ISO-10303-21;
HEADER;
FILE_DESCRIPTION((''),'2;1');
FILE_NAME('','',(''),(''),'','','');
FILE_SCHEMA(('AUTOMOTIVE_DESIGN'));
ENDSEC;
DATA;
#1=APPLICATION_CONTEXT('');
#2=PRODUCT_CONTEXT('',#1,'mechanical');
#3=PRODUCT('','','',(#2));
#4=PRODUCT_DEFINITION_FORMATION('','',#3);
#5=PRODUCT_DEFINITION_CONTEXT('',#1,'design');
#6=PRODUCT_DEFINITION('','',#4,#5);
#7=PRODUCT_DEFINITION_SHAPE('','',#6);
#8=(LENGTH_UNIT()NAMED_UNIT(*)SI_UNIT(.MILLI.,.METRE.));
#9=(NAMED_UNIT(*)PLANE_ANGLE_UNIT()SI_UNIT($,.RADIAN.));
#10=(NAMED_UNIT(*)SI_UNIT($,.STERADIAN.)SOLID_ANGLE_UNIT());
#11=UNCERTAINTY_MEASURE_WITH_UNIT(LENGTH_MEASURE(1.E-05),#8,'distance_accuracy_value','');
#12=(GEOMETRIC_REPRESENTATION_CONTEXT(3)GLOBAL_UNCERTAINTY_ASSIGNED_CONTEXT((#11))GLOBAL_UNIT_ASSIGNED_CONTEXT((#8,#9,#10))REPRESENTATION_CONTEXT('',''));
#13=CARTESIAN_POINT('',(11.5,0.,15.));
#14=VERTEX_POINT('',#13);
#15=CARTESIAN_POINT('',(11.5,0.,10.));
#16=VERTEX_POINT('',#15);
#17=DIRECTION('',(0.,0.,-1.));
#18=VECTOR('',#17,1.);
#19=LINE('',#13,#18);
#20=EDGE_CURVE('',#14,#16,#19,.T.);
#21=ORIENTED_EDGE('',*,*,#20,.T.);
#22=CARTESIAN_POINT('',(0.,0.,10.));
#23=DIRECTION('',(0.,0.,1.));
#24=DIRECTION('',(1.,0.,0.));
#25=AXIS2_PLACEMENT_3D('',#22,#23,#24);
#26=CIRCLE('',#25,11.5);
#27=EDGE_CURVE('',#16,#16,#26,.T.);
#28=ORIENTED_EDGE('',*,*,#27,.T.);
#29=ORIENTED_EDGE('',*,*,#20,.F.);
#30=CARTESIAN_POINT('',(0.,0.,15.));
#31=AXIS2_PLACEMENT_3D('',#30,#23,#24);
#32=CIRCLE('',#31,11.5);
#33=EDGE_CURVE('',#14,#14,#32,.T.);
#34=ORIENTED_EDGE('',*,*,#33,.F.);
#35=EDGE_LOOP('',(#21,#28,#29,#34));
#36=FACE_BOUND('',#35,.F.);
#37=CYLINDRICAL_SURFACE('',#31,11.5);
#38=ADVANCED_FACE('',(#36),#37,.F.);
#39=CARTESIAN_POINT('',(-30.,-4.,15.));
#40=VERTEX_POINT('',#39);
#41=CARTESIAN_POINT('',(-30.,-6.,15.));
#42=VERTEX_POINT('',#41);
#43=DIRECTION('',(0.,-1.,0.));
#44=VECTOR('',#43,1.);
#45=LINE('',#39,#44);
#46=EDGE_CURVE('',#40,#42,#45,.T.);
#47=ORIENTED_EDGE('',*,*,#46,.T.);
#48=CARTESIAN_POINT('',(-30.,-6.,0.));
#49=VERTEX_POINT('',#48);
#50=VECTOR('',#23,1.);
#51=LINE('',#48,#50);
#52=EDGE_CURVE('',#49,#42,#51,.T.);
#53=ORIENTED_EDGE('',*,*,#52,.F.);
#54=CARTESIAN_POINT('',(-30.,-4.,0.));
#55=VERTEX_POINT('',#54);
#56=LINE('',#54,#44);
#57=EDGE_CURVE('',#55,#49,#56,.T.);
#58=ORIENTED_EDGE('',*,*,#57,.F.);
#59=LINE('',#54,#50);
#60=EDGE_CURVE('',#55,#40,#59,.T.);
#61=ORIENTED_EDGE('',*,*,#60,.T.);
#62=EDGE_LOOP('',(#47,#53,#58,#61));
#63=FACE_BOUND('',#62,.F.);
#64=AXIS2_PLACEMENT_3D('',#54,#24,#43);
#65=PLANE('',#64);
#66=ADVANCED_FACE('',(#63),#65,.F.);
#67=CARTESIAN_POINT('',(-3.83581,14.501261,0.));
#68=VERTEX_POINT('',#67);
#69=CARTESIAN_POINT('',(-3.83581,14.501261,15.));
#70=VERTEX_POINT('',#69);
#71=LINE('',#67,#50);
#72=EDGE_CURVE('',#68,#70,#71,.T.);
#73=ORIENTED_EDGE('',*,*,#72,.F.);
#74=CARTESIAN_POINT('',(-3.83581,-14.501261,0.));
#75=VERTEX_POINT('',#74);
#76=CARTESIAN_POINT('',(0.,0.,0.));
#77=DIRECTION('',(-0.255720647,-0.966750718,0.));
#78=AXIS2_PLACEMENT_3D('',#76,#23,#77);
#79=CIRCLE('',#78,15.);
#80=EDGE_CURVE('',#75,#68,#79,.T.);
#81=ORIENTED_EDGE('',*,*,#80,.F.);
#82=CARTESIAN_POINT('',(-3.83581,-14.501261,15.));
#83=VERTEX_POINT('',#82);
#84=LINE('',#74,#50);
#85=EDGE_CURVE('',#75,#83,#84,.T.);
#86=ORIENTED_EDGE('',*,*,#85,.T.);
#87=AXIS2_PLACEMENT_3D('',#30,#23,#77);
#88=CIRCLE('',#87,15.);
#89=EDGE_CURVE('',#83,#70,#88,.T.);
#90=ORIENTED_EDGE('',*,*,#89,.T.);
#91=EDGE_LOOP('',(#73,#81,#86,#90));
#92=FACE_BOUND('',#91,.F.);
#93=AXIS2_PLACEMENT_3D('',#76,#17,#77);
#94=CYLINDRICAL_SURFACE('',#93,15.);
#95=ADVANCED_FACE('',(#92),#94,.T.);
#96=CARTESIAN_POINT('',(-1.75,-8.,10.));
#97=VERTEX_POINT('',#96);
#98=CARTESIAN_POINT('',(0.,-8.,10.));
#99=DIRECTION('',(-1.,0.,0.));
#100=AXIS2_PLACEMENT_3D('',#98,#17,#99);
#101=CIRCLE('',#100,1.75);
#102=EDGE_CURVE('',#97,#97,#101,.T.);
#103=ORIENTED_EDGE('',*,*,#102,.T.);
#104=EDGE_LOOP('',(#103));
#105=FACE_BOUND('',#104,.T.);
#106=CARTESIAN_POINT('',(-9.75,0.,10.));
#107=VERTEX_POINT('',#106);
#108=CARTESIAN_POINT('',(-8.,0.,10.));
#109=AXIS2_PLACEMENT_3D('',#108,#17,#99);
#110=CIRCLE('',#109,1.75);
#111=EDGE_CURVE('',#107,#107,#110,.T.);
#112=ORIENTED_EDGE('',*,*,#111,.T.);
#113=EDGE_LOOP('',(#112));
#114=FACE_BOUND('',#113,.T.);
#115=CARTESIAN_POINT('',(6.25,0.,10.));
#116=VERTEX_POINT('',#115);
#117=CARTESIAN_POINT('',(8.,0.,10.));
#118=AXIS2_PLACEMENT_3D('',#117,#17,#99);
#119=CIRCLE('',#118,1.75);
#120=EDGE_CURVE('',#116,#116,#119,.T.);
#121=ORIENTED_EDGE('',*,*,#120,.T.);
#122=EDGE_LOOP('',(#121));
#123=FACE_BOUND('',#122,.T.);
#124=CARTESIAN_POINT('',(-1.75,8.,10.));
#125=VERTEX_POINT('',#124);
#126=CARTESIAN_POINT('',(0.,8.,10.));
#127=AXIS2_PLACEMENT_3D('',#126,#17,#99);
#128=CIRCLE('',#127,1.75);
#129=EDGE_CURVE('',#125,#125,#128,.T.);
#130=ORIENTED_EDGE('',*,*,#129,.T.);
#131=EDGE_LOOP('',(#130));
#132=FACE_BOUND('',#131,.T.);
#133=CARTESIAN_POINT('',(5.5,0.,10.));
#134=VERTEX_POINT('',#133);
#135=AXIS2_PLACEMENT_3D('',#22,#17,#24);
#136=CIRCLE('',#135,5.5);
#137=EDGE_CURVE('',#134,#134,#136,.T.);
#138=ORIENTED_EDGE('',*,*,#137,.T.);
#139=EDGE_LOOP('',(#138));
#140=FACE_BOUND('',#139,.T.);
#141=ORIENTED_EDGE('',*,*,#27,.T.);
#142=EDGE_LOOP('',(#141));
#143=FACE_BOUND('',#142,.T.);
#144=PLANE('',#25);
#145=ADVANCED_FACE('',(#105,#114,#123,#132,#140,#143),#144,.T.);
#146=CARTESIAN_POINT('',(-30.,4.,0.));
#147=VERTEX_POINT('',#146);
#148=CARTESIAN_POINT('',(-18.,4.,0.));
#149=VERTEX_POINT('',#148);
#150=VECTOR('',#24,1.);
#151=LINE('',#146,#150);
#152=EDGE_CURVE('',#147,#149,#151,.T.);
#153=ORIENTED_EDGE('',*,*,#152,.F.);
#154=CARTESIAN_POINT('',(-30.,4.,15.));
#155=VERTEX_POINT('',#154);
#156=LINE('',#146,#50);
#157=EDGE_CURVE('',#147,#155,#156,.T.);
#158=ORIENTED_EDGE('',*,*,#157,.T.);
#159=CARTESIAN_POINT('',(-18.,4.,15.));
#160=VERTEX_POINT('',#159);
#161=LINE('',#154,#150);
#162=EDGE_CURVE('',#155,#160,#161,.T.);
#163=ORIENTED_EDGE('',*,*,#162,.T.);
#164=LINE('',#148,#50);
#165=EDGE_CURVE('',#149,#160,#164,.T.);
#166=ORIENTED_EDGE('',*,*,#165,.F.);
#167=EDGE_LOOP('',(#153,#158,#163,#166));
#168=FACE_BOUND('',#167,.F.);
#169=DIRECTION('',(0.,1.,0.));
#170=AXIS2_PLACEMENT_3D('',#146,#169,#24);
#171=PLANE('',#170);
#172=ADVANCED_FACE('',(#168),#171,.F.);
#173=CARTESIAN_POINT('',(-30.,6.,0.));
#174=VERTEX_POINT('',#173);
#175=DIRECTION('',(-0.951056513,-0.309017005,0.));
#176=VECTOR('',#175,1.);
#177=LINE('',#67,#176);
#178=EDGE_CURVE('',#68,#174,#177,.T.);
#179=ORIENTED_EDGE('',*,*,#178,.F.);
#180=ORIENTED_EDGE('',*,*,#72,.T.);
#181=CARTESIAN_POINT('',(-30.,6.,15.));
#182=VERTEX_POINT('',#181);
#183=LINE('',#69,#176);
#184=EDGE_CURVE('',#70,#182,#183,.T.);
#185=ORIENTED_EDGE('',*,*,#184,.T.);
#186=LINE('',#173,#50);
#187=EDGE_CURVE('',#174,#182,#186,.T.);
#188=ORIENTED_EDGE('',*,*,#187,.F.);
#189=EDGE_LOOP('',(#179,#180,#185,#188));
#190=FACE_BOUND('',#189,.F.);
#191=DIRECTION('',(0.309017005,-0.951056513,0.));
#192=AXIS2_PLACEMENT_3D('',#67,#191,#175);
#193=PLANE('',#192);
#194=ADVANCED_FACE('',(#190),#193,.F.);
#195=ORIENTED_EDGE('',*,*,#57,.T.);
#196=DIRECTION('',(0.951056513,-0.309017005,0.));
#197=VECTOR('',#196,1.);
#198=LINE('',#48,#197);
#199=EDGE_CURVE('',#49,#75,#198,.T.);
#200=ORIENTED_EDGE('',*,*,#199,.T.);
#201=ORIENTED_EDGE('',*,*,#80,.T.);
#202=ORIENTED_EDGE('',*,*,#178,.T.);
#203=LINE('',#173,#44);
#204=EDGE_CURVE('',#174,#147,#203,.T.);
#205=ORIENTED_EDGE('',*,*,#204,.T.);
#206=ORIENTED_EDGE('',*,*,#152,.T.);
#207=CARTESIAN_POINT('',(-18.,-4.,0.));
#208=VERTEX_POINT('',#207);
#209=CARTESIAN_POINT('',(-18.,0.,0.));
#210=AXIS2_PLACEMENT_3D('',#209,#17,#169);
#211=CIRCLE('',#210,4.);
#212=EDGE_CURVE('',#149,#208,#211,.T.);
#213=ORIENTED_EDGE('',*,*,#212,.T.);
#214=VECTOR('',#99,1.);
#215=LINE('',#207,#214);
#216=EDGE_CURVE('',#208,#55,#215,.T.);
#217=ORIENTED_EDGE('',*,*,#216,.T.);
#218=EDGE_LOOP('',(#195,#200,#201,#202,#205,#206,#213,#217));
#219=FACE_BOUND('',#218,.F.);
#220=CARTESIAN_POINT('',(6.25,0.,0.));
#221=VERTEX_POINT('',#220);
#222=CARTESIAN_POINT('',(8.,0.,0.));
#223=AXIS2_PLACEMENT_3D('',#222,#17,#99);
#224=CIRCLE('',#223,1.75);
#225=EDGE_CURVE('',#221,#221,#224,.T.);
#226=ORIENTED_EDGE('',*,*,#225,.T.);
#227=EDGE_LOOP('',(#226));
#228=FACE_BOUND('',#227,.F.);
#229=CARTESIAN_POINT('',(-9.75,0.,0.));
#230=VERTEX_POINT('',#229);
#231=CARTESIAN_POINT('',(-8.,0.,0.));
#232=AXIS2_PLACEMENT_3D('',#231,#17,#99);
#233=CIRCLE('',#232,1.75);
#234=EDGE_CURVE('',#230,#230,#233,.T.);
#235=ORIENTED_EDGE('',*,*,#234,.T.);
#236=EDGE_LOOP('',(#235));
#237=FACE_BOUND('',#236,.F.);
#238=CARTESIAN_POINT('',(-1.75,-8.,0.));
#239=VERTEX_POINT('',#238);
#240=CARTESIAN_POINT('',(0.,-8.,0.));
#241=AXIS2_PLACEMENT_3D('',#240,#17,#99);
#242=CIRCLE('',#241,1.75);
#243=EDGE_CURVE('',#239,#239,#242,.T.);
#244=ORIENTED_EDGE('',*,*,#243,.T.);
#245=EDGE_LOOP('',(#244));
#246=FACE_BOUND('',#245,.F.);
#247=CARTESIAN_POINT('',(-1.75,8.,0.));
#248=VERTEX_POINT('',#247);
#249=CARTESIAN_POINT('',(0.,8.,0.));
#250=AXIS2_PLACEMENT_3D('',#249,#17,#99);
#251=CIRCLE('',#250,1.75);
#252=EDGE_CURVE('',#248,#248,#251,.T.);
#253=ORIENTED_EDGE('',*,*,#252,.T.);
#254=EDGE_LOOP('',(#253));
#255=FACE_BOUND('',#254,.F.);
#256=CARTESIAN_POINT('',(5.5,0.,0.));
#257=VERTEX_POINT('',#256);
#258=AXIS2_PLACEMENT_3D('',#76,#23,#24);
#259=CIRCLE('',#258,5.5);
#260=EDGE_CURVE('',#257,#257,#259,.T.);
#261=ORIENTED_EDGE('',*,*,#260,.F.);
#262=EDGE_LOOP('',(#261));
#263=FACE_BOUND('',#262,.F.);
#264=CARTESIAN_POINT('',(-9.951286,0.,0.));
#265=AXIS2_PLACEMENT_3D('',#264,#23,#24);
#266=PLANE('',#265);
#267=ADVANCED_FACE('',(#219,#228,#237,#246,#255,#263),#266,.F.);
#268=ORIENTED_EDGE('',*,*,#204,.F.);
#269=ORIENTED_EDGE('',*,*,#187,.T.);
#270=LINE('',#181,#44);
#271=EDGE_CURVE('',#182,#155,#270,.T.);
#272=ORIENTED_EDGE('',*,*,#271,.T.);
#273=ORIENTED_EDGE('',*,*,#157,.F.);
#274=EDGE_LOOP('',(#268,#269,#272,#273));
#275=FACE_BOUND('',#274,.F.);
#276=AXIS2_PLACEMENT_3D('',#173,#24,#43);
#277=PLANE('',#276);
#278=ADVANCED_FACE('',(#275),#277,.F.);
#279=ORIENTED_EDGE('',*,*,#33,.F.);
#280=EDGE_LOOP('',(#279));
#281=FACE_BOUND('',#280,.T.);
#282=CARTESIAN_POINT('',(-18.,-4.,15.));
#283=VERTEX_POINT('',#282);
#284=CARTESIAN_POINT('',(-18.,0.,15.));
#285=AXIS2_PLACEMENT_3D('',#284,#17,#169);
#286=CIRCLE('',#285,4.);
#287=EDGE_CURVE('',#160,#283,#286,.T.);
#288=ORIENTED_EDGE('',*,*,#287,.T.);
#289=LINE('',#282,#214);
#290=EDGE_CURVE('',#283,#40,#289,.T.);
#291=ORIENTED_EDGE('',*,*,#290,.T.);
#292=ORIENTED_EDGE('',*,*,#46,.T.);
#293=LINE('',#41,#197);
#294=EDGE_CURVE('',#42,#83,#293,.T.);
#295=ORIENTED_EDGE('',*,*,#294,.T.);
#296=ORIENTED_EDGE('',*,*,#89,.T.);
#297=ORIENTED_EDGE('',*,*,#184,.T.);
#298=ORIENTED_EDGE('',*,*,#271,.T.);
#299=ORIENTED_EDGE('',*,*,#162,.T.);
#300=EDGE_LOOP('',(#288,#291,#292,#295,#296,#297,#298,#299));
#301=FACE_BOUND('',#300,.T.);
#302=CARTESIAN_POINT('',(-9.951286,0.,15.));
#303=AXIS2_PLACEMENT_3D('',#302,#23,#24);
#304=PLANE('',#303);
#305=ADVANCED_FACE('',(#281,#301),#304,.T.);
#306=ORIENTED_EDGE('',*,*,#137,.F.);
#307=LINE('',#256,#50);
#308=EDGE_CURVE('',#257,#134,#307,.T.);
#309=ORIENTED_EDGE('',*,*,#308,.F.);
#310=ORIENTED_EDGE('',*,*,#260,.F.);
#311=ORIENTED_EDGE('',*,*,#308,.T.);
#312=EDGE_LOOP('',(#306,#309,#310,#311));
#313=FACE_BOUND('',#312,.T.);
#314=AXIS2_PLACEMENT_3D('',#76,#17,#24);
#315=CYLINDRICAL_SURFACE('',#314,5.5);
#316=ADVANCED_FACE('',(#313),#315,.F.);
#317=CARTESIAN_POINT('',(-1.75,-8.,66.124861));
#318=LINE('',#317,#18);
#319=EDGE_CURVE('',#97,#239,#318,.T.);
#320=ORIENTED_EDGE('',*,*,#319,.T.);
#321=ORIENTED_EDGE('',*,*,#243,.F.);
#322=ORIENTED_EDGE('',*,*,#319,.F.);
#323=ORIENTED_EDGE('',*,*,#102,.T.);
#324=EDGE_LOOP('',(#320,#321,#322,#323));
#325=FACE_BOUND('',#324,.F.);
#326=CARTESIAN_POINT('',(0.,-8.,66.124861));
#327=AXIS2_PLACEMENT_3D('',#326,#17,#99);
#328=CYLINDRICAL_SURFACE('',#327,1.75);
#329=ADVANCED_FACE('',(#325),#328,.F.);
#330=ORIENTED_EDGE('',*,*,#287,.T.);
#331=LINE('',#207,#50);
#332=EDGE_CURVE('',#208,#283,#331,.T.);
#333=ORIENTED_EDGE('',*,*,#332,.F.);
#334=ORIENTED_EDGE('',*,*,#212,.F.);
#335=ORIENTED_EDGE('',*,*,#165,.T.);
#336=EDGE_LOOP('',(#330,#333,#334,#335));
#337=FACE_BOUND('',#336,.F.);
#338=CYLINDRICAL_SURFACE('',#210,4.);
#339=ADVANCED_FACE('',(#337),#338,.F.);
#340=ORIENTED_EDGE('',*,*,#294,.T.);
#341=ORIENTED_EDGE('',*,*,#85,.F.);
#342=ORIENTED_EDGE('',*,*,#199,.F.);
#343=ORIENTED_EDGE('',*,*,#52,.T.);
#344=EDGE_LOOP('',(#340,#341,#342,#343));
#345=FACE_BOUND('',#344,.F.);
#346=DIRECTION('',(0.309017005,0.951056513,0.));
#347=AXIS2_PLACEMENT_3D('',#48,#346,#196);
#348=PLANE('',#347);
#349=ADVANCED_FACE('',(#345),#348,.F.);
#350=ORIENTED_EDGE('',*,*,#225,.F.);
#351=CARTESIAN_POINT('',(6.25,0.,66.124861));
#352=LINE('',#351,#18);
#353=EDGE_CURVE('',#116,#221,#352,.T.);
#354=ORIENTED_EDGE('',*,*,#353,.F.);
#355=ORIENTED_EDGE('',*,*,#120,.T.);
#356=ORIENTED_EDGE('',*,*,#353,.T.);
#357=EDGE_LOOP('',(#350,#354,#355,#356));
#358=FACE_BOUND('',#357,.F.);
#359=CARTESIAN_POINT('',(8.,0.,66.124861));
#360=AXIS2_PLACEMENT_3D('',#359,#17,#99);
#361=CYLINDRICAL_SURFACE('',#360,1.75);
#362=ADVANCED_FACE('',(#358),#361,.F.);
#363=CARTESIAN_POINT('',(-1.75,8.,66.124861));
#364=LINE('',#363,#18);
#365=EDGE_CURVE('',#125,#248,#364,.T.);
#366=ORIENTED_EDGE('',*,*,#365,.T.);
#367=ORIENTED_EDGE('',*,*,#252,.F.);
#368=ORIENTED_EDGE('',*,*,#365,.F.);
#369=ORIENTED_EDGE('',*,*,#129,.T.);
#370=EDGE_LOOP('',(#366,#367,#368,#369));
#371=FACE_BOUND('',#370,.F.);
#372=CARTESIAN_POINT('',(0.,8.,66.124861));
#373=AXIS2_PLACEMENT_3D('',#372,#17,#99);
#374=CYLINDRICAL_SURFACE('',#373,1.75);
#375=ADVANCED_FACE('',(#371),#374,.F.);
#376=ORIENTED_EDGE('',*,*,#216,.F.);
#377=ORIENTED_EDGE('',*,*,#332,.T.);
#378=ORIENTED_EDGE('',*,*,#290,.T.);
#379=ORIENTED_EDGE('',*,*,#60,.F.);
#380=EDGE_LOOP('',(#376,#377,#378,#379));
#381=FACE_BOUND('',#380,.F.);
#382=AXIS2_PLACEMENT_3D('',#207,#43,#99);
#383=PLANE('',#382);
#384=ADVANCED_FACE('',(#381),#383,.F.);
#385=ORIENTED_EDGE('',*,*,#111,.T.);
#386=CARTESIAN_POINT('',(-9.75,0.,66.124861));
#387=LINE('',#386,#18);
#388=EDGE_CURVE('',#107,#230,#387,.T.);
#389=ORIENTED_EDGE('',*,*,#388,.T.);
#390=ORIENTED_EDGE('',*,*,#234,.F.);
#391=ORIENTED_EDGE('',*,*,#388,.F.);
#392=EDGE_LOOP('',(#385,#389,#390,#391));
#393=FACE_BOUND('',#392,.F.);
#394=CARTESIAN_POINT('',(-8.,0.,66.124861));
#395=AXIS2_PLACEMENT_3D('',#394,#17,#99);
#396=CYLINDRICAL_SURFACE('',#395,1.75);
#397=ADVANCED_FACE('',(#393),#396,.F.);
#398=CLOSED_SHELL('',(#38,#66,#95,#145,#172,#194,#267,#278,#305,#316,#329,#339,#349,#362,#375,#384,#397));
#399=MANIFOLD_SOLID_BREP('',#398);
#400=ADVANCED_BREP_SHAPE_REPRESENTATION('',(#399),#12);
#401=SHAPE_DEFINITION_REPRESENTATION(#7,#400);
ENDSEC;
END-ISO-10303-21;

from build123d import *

# Parameters (mm, degrees)
F0_R     = 5.5
F1_DEPTH = 15
F2_R     = 11.5
F3_DEPTH = 5
F5_D     = 3.5


with BuildPart() as f1:
    # F0 (on Top) → F1 (new body)
    with BuildSketch(Plane.XY):
        with BuildLine():
            ThreePointArc((-18, 4), (-14, 0), (-18, -4))
            Line((-18, -4), (-30, -4))
            Line((-30, -4), (-30, -6))
            Line((-30, -6), (-3.83581, -14.501261))
            ThreePointArc((-3.83581, -14.501261), (15, 0), (-3.83581, 14.501261))
            Line((-3.83581, 14.501261), (-30, 6))
            Line((-30, 6), (-30, 4))
            Line((-30, 4), (-18, 4))
        make_face()
        Circle(F0_R, mode=Mode.SUBTRACT)
    extrude(amount=F1_DEPTH)

    # F2 (on face) → F3 (cut)
    with BuildSketch(Plane.XY.offset(15)):
        Circle(F2_R)
    extrude(amount=-F3_DEPTH, mode=Mode.SUBTRACT)

    # F5 (through all)
    with Locations(Plane.XY.offset(10)):
        with Locations((0, 8), (8, 0), (0, -8), (-8, 0)):
            Hole(F5_D / 2)


solid = f1.part
